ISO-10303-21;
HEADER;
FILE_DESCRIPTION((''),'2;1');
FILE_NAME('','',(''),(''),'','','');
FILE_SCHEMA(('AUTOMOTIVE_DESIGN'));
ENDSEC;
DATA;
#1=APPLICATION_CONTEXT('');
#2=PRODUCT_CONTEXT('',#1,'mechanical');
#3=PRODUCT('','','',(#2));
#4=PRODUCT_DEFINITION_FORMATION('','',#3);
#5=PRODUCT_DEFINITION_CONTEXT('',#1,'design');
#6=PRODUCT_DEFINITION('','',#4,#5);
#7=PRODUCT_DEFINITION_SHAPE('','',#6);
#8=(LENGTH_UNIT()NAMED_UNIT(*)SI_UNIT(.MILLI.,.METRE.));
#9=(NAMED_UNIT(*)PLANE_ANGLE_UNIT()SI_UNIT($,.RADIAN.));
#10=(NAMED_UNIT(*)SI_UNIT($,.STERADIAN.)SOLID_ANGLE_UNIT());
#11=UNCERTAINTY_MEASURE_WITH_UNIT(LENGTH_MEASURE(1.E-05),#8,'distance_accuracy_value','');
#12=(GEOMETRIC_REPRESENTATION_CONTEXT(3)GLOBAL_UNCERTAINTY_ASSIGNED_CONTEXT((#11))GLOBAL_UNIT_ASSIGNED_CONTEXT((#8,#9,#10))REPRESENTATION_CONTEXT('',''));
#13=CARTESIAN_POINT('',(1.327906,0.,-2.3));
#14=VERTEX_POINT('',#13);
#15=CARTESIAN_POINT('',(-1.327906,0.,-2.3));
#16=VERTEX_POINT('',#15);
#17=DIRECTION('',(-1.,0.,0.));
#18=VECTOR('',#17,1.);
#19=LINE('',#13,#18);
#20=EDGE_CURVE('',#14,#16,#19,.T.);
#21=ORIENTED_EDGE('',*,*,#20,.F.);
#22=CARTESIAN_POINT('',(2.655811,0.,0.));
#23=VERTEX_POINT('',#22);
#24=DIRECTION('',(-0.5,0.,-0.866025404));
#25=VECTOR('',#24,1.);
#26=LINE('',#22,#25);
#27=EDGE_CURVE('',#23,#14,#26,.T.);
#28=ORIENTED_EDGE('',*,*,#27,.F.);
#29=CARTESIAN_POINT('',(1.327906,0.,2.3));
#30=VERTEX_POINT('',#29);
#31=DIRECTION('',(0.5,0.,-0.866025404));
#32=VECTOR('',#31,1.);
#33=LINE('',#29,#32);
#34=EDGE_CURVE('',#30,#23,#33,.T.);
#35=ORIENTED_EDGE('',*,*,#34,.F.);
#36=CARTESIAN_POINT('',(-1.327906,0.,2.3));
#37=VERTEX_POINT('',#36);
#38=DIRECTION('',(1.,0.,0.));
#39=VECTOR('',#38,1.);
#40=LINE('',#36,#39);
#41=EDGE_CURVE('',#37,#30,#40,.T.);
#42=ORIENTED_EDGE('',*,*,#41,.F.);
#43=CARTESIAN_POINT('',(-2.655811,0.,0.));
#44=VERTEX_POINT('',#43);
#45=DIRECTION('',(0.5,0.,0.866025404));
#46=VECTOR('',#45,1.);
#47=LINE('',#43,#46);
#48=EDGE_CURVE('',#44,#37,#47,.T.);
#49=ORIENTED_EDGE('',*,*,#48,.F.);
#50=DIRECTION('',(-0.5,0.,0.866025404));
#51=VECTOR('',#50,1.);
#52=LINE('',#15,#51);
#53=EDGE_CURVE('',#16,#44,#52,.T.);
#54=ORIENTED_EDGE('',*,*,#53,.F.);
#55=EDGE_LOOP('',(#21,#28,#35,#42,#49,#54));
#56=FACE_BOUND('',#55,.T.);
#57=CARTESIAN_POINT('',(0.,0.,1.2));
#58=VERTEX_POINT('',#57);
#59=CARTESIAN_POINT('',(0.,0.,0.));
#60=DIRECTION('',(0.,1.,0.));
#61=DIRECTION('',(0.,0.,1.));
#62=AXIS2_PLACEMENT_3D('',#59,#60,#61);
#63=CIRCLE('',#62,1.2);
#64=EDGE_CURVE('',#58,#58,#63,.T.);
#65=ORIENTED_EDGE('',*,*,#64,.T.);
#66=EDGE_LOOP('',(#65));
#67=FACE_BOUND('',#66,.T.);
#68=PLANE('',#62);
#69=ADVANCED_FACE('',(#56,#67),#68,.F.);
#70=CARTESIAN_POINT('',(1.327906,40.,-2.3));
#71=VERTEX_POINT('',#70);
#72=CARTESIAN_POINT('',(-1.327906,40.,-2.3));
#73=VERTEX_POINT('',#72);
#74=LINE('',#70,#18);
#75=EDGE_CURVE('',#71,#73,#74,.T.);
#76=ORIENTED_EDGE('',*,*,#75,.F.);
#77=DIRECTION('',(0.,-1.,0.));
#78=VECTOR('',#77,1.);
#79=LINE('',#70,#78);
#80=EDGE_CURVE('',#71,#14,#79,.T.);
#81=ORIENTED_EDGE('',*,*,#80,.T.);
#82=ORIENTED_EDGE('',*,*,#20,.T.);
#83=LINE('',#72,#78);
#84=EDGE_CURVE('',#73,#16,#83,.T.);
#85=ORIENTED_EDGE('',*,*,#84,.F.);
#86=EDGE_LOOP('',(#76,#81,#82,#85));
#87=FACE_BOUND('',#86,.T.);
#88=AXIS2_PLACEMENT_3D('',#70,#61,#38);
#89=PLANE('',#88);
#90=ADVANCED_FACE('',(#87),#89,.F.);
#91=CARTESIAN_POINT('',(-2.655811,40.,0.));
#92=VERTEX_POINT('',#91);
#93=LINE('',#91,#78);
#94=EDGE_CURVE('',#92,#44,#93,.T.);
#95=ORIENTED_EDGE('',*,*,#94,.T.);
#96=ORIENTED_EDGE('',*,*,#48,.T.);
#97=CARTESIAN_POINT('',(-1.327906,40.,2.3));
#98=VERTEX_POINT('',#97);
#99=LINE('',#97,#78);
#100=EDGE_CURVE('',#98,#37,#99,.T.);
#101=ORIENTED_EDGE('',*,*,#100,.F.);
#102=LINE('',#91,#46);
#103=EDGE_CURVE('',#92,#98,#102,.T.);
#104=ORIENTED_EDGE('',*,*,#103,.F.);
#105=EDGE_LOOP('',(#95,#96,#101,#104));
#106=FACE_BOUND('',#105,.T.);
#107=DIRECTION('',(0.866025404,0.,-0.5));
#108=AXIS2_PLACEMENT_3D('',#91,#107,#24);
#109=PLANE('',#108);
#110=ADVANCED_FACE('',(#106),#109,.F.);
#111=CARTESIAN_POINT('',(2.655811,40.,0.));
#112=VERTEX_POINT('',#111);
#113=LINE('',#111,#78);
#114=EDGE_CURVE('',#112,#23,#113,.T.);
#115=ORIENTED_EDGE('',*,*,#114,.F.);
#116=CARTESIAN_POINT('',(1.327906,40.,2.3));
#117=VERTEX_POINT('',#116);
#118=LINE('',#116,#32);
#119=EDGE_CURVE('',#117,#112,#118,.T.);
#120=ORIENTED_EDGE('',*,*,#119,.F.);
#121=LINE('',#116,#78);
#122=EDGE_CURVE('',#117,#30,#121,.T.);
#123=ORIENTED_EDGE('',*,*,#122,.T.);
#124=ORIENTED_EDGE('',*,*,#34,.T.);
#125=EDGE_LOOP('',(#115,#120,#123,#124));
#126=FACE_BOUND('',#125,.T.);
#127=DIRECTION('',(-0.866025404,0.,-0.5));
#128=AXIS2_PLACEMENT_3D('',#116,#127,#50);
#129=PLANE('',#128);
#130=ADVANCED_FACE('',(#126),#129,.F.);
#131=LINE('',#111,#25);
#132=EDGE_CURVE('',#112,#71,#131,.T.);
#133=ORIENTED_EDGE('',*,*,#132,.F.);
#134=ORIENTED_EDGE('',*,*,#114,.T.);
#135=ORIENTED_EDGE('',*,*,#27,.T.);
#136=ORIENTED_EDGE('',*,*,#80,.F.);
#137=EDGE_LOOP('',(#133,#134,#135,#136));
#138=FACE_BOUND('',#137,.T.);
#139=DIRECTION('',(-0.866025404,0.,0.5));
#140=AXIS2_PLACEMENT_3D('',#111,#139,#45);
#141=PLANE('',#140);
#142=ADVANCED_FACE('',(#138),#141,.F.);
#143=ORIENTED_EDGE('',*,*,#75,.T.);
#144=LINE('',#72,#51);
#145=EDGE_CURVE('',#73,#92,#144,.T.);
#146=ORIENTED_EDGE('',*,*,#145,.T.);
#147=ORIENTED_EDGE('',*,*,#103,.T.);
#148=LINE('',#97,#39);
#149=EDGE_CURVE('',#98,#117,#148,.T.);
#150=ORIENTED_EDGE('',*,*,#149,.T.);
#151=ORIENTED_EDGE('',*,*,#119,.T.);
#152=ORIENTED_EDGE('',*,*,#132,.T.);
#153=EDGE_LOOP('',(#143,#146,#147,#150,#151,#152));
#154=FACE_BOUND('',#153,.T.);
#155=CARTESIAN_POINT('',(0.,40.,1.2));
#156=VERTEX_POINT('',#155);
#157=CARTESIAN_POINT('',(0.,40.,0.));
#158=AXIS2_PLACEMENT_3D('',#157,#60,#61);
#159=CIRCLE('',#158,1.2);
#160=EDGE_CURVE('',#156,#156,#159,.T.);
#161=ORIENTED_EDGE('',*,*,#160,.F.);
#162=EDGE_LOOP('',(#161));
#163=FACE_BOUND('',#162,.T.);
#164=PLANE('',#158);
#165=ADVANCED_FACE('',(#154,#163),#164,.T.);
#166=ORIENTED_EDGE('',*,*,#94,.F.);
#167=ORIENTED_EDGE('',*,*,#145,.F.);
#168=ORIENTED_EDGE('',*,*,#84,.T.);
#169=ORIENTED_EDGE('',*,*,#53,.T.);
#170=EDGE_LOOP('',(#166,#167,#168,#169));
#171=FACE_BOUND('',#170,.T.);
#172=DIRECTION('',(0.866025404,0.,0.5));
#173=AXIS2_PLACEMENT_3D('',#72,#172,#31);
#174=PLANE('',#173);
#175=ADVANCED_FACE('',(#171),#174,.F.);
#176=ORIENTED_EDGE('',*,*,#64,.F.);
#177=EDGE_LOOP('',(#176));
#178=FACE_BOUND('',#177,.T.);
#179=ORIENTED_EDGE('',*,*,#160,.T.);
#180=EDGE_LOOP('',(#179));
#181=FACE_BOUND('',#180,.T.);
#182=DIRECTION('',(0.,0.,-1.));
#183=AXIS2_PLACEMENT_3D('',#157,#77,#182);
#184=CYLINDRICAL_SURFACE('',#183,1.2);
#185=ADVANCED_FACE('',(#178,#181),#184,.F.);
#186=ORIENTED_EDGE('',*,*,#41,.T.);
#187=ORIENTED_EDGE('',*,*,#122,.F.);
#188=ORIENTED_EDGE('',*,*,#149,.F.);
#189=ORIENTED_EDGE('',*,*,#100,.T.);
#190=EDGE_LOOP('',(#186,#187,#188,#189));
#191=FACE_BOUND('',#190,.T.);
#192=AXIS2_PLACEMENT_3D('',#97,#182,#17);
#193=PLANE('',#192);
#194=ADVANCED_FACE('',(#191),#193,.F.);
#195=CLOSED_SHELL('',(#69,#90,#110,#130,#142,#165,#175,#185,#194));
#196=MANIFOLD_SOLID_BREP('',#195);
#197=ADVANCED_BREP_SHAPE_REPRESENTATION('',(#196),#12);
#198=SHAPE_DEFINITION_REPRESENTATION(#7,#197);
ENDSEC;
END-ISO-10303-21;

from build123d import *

# Parameters (mm, degrees)
SKETCH1_R           = 1.2
BOSS_EXTRUDE1_DEPTH = 40


with BuildPart() as part:
    # Sketch1 → Boss-Extrude1 (new body)
    with BuildSketch(Plane(origin=(0, 0, 0), x_dir=(1, 0, 0), z_dir=(0, 1, 0))):
        Polygon((2.655811238, 0), (1.327905619, 2.3), (-1.327905619, 2.3), (-2.655811238, 0), (-1.327905619, -2.3), (1.327905619, -2.3), align=None)
        with Locations(Location((0, 0, 0), (0, 0, 270))):
            Circle(SKETCH1_R, mode=Mode.SUBTRACT)
    extrude(amount=BOSS_EXTRUDE1_DEPTH)


solid = part.part
